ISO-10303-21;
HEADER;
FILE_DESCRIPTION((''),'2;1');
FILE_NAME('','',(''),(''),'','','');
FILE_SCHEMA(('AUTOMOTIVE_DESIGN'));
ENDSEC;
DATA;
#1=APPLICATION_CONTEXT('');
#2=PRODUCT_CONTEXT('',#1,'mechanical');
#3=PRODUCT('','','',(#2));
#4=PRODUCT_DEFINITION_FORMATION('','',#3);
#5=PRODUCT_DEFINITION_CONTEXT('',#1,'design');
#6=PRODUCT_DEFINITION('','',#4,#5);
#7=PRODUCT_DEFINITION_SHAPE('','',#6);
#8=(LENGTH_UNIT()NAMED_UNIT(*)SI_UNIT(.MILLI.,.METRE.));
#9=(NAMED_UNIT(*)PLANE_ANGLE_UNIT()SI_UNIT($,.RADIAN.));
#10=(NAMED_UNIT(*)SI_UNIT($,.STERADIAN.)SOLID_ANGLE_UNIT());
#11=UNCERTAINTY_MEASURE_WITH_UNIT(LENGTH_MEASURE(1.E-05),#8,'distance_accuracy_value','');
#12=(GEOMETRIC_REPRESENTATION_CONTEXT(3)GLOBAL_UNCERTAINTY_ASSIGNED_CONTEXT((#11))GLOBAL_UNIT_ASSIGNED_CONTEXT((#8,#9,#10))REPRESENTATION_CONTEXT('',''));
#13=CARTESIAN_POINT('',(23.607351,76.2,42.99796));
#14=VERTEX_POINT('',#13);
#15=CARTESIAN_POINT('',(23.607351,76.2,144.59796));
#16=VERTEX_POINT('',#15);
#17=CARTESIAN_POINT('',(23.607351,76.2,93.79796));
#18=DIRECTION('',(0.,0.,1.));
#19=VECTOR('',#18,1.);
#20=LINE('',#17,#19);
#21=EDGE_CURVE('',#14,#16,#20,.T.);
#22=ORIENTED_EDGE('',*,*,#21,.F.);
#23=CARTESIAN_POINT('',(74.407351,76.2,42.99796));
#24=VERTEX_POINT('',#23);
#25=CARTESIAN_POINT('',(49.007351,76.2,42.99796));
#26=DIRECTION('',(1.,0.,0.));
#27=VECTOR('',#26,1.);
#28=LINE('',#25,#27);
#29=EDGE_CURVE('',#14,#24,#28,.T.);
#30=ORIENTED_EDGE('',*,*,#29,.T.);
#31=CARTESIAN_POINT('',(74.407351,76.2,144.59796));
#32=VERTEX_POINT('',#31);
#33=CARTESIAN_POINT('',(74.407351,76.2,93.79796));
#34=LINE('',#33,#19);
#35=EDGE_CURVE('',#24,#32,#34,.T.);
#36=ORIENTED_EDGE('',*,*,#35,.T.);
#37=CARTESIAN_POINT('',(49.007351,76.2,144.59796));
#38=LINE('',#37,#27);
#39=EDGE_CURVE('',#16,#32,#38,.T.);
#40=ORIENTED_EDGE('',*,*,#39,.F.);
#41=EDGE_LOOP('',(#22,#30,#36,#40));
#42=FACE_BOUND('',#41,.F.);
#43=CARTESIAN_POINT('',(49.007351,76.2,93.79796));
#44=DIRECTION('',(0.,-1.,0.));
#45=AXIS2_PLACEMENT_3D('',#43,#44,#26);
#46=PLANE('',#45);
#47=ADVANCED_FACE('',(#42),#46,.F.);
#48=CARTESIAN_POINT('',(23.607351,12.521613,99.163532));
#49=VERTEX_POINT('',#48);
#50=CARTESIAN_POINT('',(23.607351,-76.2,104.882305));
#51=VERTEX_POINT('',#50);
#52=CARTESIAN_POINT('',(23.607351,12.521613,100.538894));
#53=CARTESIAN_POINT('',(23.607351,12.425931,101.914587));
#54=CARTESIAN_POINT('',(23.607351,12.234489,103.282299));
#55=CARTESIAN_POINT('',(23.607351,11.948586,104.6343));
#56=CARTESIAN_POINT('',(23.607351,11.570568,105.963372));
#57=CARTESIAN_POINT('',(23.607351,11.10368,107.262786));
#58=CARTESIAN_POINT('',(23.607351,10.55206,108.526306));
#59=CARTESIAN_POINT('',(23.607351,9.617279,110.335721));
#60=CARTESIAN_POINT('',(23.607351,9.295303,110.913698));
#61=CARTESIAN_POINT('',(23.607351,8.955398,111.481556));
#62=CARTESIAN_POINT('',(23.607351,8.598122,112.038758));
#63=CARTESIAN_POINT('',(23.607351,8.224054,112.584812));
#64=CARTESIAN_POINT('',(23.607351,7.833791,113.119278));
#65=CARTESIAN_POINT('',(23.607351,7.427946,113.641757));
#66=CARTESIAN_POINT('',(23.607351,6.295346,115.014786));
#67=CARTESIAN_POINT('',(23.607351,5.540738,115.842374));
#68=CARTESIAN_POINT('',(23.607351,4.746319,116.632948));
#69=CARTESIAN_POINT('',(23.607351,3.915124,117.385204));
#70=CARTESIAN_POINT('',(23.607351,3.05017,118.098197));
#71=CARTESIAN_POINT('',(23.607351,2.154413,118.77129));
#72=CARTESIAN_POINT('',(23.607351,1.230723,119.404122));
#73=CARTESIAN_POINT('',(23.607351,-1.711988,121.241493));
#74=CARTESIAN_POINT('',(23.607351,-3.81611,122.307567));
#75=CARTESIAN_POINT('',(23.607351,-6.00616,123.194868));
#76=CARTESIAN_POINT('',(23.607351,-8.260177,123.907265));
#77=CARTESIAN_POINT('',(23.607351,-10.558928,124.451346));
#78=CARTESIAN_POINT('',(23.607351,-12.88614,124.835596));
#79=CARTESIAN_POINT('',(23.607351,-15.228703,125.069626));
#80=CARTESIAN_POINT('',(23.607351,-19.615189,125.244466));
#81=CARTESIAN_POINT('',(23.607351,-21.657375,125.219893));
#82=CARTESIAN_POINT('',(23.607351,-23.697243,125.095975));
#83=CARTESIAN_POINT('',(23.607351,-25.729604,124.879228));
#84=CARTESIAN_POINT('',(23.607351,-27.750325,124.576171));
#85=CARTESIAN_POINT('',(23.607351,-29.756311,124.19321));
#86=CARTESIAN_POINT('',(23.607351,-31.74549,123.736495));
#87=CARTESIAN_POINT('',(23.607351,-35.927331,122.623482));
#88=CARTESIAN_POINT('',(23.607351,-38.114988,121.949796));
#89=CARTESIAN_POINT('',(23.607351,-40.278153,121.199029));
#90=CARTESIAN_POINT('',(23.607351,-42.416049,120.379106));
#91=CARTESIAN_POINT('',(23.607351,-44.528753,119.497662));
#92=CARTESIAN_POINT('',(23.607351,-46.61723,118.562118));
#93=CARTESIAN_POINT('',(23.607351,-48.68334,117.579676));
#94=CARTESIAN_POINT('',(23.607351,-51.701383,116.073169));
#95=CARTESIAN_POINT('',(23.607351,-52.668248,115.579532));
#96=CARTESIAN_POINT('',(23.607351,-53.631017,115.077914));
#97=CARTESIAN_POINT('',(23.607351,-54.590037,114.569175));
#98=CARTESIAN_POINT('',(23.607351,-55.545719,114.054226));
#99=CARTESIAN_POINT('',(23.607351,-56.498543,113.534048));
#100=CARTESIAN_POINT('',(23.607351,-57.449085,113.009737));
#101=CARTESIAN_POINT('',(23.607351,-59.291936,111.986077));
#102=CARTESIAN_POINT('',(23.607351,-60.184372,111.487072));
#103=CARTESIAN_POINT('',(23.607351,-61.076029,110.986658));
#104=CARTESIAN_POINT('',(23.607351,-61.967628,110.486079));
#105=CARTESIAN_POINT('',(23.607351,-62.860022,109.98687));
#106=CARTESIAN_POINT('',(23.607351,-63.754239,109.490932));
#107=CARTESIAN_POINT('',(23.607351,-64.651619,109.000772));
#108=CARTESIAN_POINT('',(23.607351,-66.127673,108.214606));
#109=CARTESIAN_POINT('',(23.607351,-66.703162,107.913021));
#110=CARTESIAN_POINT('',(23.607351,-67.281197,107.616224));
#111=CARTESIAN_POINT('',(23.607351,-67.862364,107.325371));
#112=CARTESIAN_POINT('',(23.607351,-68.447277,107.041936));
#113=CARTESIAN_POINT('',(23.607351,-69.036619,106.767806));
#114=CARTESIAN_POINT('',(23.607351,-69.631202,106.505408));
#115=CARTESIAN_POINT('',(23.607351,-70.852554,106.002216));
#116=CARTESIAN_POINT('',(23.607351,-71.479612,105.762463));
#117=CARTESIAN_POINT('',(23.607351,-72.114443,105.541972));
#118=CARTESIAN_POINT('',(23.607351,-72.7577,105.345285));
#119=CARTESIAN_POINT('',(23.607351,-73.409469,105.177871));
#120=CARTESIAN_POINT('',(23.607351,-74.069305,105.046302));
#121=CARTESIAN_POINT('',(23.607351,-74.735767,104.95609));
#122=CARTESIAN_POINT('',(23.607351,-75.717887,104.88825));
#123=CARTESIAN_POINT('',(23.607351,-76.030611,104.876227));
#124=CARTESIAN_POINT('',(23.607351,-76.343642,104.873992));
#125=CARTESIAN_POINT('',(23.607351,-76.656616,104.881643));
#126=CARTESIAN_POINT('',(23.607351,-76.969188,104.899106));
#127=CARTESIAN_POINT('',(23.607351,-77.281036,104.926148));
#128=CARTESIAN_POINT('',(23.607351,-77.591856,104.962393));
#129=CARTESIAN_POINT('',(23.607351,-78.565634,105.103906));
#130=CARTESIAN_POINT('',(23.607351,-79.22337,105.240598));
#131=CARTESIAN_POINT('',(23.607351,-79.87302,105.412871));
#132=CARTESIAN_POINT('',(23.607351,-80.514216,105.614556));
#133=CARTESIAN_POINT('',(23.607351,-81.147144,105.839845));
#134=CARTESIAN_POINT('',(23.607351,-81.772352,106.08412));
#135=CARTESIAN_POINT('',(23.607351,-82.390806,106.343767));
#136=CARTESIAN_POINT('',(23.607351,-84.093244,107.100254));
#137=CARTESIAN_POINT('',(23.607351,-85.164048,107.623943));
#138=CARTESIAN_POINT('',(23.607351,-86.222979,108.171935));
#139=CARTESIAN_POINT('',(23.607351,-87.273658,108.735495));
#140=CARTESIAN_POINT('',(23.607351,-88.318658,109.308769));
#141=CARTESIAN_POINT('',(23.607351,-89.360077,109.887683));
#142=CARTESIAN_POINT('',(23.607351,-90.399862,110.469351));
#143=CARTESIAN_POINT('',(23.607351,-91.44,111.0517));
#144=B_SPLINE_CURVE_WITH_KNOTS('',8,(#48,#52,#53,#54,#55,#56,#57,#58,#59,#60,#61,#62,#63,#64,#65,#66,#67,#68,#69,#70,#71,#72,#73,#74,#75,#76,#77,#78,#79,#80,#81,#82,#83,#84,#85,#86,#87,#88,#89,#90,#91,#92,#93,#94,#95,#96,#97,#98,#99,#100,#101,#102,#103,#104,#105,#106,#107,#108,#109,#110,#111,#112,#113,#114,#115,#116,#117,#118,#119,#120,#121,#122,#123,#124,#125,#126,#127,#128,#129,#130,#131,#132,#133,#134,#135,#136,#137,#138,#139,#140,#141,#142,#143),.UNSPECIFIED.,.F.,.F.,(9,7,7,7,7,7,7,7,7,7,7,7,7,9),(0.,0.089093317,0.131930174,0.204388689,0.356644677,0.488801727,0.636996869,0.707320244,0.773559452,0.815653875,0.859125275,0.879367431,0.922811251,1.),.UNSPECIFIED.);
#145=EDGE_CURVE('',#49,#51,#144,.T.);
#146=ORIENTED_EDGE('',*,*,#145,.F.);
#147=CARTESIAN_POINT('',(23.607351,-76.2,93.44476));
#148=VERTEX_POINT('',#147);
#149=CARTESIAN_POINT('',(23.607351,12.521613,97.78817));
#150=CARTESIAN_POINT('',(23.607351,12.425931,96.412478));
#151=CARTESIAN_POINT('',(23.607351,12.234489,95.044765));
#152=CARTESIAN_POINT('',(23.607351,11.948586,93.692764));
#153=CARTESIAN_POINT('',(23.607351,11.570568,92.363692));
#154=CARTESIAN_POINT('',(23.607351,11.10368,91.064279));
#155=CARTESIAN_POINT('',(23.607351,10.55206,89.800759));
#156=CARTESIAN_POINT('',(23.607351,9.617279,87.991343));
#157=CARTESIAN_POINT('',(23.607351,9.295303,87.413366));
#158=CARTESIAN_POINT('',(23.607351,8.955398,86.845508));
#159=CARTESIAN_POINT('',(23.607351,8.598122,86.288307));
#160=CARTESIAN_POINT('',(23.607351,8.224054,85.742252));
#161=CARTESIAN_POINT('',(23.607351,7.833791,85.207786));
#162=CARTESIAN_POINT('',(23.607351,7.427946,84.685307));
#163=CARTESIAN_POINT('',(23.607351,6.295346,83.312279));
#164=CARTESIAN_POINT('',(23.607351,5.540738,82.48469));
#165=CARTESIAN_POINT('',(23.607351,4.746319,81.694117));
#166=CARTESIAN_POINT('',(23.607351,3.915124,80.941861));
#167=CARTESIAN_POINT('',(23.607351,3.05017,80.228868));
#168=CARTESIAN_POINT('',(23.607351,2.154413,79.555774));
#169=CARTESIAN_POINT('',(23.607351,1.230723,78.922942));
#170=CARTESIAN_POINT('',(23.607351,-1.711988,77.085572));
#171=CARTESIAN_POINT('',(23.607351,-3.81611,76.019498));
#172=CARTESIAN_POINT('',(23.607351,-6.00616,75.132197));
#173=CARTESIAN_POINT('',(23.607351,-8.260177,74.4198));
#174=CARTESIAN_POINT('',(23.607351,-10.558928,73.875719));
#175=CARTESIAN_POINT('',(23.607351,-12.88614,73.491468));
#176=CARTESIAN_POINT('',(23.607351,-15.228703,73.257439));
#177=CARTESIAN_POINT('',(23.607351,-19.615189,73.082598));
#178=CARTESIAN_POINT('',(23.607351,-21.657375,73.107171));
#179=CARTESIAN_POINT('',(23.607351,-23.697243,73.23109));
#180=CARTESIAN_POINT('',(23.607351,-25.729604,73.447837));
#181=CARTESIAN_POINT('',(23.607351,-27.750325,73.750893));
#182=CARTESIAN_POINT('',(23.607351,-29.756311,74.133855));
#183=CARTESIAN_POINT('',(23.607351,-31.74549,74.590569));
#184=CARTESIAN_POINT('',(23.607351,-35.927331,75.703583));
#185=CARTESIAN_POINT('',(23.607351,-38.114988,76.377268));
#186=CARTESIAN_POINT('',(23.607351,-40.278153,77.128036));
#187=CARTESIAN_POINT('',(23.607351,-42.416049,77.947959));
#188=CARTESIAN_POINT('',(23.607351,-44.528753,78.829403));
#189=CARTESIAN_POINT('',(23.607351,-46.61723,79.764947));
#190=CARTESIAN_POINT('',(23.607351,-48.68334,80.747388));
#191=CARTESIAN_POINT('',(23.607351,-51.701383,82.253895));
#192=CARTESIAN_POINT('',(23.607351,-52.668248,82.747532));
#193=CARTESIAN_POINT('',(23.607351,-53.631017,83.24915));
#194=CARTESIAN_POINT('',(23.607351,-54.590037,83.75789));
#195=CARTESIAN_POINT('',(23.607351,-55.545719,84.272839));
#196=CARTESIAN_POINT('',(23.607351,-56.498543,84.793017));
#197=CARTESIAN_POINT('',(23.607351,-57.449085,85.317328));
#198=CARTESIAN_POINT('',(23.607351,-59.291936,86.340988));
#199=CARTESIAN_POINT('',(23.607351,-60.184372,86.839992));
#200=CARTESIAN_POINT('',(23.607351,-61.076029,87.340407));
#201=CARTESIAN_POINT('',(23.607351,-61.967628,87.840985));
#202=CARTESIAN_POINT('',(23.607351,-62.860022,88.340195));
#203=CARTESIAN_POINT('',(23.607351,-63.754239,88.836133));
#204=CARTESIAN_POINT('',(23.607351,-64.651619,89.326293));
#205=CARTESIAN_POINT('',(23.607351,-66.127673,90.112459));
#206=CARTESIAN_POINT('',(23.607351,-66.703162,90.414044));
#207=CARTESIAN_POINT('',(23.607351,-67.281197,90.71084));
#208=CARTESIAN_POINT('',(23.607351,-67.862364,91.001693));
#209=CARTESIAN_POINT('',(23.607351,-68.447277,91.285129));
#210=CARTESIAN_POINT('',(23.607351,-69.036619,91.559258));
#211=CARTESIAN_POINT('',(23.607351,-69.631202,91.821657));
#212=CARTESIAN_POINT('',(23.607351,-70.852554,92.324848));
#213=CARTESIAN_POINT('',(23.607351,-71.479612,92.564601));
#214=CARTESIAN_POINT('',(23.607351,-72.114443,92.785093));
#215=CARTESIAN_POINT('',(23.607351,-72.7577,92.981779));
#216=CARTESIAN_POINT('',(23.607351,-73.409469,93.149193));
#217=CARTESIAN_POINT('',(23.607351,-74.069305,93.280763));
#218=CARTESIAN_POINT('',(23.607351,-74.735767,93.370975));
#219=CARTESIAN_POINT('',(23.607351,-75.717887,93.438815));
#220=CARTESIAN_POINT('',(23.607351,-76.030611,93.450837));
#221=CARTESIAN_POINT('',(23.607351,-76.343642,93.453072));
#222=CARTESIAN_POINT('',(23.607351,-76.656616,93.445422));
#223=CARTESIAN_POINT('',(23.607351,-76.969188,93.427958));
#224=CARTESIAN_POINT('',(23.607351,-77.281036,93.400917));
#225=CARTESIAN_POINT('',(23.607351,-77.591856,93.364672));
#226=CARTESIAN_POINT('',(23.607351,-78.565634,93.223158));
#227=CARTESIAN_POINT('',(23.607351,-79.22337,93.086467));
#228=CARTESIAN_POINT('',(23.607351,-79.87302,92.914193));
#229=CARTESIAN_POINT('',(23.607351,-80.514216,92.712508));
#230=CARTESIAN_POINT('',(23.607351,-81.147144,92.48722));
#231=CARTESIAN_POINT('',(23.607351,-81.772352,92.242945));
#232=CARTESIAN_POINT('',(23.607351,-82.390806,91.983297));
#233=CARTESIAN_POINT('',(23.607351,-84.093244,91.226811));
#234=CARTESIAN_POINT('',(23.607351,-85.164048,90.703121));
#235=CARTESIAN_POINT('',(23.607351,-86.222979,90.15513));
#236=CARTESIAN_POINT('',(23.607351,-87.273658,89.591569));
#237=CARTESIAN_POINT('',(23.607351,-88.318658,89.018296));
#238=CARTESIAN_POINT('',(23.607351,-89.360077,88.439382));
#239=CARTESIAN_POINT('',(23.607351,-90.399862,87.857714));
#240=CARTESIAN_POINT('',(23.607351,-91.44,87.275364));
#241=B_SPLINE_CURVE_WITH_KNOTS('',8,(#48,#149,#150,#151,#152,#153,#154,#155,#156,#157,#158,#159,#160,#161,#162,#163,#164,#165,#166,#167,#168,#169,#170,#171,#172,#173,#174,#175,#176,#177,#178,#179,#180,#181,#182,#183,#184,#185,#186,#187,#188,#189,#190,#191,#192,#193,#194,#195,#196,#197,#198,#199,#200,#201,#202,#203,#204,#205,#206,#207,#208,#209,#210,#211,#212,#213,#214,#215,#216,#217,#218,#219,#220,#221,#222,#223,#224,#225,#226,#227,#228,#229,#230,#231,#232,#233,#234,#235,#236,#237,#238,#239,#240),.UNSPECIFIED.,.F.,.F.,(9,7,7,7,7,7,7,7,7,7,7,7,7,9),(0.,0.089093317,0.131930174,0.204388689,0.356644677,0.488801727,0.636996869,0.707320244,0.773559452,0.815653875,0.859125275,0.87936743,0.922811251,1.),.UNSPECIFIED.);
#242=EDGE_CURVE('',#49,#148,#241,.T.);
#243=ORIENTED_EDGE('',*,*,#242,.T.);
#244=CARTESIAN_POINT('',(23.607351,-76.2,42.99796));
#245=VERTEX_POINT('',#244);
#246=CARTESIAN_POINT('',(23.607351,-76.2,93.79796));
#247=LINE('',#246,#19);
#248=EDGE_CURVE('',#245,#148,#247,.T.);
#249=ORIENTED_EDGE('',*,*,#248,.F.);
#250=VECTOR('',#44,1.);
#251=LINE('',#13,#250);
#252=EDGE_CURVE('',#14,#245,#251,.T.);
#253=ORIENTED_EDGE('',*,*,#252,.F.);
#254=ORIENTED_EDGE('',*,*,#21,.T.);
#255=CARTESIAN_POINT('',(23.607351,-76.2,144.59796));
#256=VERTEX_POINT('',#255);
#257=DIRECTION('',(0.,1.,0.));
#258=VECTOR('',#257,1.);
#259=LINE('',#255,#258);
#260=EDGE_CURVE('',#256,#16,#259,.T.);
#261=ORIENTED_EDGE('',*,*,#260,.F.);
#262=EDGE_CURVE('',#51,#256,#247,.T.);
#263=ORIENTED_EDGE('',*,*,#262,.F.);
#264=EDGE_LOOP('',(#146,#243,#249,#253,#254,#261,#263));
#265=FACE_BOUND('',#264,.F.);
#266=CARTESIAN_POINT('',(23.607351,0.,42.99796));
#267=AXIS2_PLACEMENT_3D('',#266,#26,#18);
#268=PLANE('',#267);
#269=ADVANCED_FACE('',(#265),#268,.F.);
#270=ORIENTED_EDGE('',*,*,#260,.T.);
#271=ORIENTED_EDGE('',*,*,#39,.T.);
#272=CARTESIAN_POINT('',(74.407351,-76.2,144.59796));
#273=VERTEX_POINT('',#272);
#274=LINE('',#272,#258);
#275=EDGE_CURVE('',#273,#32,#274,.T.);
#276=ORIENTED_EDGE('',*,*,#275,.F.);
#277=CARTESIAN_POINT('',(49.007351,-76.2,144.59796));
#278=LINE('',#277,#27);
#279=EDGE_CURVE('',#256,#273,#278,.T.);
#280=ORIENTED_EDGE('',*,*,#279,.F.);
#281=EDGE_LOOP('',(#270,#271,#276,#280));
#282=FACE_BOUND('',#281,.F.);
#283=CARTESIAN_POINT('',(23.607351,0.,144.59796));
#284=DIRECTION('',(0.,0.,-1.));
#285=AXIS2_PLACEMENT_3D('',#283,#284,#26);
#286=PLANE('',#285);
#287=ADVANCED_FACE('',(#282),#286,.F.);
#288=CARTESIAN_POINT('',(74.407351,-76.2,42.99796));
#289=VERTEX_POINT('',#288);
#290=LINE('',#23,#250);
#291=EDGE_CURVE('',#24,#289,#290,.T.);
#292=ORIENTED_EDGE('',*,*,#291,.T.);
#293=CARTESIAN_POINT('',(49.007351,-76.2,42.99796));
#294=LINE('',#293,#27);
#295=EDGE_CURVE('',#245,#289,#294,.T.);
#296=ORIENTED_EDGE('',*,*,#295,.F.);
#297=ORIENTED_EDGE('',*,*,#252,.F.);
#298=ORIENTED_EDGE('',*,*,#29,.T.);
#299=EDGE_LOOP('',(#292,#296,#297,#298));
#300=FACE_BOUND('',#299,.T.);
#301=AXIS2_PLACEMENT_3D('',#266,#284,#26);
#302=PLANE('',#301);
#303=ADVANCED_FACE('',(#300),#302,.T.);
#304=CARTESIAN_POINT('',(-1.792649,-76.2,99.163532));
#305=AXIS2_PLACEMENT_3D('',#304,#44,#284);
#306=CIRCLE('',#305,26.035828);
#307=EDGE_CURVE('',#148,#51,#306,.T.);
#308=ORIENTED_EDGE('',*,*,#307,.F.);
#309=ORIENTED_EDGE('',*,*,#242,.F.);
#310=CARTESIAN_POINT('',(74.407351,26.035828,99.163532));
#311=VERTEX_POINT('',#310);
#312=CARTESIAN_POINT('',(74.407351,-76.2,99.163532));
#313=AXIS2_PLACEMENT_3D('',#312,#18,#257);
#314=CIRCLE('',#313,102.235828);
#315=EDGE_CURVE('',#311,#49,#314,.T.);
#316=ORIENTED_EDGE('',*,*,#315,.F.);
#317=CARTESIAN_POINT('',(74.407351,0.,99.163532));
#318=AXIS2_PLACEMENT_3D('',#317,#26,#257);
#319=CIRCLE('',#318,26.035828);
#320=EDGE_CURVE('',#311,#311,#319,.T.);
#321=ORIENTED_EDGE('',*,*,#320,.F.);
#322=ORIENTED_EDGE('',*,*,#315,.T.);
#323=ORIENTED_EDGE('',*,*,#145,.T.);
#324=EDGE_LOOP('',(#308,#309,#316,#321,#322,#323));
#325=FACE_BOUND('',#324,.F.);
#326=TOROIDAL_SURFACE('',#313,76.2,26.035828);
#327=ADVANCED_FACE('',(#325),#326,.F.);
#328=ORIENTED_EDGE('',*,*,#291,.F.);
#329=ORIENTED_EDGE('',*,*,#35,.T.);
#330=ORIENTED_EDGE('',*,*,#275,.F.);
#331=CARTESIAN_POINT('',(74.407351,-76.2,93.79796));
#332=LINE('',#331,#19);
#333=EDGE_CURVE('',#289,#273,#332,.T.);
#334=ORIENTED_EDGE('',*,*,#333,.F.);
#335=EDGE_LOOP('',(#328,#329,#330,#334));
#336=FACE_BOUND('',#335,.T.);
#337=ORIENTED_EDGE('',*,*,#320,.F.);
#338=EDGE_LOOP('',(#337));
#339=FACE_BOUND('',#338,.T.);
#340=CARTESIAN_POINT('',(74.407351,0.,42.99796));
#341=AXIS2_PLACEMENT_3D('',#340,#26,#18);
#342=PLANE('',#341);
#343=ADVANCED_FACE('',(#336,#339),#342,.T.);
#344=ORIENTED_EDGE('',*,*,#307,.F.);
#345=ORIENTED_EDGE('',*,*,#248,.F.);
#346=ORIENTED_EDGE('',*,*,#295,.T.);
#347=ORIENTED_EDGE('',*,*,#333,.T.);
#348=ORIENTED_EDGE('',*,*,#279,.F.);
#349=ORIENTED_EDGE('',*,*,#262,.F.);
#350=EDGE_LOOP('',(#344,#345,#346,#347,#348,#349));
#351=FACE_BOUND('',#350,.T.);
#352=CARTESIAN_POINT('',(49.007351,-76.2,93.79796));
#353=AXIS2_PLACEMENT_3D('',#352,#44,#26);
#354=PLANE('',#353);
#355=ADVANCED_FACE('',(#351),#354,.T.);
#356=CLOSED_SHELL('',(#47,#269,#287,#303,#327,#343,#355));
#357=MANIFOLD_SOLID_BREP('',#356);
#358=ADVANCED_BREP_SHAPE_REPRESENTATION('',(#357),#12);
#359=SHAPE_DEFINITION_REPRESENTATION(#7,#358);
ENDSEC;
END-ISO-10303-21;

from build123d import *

# Parameters (mm, degrees)
F0_W     = 50.8
F0_H     = 101.6
F1_DEPTH = 76.2
F2_R     = 26.0358283423


with BuildPart() as f1:
    # F0 (on Front) → F1 (new body, symmetric)
    with BuildSketch(Plane.XZ):
        with Locations((49.0073505789, 93.797959613)):
            Rectangle(F0_W, F0_H)
    extrude(amount=F1_DEPTH, both=True)

    # F2 (on face) → F3 (revolve, cut)
    with BuildSketch(Plane.YZ.offset(74.4073505789)):
        with Locations((0, 99.1635322571)):
            Circle(F2_R)
    revolve(axis=Axis((74.4073505789, -76.2, 93.797959613), (0, 0, 1)), mode=Mode.SUBTRACT)


solid = f1.part
